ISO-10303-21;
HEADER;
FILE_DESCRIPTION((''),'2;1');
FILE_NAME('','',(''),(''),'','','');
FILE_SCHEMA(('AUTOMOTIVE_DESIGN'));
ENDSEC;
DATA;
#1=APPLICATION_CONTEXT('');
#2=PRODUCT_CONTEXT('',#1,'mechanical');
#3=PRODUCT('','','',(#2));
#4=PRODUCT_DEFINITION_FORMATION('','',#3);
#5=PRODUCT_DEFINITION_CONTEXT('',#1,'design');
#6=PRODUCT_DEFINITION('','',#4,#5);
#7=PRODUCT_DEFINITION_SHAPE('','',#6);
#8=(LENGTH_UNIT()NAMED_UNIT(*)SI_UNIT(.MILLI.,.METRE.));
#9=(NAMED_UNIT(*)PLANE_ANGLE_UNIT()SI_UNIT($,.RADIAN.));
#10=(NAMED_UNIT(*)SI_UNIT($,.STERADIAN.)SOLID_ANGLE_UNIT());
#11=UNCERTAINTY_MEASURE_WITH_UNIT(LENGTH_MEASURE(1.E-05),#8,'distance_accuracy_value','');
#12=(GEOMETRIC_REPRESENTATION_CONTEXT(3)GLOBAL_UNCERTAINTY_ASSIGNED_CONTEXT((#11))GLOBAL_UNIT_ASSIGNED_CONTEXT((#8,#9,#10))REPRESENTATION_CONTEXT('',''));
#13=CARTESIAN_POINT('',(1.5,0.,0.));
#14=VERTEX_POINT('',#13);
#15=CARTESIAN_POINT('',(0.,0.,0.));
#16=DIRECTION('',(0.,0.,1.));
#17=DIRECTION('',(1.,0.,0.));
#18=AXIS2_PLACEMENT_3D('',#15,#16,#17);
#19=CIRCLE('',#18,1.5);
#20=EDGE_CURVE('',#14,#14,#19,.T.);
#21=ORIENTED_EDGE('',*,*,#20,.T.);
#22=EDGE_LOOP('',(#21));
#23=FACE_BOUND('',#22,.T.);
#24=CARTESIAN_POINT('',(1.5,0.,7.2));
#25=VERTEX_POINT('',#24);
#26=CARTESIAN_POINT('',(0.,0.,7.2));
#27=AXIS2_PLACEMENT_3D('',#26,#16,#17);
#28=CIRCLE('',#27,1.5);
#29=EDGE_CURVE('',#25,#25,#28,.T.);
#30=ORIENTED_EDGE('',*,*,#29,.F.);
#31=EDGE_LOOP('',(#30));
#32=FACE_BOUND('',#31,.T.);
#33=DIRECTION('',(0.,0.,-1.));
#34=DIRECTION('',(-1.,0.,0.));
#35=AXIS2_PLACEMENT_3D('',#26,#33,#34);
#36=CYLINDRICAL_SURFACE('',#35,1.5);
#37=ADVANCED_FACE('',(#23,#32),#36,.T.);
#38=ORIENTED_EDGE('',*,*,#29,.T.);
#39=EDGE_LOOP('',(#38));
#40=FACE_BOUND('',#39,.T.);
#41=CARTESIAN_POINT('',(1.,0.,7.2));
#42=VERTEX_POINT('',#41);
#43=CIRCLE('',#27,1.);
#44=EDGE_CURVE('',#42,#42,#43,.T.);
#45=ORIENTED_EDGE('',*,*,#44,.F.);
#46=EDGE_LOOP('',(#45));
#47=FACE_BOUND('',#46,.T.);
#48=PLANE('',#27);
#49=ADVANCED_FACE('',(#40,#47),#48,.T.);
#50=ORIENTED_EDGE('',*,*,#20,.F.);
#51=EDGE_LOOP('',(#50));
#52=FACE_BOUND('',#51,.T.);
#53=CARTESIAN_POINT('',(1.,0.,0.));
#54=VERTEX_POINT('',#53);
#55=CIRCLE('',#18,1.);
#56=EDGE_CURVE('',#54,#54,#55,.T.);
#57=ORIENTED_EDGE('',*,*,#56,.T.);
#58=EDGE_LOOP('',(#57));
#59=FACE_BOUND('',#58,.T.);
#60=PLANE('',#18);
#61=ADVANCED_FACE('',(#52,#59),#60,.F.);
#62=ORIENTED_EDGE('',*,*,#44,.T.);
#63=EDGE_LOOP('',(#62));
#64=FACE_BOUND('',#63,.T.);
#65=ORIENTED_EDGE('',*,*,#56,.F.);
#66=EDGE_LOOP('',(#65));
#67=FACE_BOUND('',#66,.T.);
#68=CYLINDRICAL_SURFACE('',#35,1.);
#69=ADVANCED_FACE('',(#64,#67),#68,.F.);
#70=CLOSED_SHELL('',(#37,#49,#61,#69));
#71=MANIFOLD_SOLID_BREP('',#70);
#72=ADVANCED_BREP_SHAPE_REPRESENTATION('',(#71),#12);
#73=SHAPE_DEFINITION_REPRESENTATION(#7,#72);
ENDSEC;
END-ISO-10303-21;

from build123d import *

# Parameters (mm, degrees)
SKETCH_1_R      = 1.5
SKETCH_1_R_2    = 1
EXTRUDE_5_DEPTH = 7.2


with BuildPart() as part:
    # Эскиз1 → Бобышка-Вытянуть5 (new body)
    with BuildSketch(Plane.XY):
        Circle(SKETCH_1_R)
        Circle(SKETCH_1_R_2, mode=Mode.SUBTRACT)
    extrude(amount=EXTRUDE_5_DEPTH)


solid = part.part
